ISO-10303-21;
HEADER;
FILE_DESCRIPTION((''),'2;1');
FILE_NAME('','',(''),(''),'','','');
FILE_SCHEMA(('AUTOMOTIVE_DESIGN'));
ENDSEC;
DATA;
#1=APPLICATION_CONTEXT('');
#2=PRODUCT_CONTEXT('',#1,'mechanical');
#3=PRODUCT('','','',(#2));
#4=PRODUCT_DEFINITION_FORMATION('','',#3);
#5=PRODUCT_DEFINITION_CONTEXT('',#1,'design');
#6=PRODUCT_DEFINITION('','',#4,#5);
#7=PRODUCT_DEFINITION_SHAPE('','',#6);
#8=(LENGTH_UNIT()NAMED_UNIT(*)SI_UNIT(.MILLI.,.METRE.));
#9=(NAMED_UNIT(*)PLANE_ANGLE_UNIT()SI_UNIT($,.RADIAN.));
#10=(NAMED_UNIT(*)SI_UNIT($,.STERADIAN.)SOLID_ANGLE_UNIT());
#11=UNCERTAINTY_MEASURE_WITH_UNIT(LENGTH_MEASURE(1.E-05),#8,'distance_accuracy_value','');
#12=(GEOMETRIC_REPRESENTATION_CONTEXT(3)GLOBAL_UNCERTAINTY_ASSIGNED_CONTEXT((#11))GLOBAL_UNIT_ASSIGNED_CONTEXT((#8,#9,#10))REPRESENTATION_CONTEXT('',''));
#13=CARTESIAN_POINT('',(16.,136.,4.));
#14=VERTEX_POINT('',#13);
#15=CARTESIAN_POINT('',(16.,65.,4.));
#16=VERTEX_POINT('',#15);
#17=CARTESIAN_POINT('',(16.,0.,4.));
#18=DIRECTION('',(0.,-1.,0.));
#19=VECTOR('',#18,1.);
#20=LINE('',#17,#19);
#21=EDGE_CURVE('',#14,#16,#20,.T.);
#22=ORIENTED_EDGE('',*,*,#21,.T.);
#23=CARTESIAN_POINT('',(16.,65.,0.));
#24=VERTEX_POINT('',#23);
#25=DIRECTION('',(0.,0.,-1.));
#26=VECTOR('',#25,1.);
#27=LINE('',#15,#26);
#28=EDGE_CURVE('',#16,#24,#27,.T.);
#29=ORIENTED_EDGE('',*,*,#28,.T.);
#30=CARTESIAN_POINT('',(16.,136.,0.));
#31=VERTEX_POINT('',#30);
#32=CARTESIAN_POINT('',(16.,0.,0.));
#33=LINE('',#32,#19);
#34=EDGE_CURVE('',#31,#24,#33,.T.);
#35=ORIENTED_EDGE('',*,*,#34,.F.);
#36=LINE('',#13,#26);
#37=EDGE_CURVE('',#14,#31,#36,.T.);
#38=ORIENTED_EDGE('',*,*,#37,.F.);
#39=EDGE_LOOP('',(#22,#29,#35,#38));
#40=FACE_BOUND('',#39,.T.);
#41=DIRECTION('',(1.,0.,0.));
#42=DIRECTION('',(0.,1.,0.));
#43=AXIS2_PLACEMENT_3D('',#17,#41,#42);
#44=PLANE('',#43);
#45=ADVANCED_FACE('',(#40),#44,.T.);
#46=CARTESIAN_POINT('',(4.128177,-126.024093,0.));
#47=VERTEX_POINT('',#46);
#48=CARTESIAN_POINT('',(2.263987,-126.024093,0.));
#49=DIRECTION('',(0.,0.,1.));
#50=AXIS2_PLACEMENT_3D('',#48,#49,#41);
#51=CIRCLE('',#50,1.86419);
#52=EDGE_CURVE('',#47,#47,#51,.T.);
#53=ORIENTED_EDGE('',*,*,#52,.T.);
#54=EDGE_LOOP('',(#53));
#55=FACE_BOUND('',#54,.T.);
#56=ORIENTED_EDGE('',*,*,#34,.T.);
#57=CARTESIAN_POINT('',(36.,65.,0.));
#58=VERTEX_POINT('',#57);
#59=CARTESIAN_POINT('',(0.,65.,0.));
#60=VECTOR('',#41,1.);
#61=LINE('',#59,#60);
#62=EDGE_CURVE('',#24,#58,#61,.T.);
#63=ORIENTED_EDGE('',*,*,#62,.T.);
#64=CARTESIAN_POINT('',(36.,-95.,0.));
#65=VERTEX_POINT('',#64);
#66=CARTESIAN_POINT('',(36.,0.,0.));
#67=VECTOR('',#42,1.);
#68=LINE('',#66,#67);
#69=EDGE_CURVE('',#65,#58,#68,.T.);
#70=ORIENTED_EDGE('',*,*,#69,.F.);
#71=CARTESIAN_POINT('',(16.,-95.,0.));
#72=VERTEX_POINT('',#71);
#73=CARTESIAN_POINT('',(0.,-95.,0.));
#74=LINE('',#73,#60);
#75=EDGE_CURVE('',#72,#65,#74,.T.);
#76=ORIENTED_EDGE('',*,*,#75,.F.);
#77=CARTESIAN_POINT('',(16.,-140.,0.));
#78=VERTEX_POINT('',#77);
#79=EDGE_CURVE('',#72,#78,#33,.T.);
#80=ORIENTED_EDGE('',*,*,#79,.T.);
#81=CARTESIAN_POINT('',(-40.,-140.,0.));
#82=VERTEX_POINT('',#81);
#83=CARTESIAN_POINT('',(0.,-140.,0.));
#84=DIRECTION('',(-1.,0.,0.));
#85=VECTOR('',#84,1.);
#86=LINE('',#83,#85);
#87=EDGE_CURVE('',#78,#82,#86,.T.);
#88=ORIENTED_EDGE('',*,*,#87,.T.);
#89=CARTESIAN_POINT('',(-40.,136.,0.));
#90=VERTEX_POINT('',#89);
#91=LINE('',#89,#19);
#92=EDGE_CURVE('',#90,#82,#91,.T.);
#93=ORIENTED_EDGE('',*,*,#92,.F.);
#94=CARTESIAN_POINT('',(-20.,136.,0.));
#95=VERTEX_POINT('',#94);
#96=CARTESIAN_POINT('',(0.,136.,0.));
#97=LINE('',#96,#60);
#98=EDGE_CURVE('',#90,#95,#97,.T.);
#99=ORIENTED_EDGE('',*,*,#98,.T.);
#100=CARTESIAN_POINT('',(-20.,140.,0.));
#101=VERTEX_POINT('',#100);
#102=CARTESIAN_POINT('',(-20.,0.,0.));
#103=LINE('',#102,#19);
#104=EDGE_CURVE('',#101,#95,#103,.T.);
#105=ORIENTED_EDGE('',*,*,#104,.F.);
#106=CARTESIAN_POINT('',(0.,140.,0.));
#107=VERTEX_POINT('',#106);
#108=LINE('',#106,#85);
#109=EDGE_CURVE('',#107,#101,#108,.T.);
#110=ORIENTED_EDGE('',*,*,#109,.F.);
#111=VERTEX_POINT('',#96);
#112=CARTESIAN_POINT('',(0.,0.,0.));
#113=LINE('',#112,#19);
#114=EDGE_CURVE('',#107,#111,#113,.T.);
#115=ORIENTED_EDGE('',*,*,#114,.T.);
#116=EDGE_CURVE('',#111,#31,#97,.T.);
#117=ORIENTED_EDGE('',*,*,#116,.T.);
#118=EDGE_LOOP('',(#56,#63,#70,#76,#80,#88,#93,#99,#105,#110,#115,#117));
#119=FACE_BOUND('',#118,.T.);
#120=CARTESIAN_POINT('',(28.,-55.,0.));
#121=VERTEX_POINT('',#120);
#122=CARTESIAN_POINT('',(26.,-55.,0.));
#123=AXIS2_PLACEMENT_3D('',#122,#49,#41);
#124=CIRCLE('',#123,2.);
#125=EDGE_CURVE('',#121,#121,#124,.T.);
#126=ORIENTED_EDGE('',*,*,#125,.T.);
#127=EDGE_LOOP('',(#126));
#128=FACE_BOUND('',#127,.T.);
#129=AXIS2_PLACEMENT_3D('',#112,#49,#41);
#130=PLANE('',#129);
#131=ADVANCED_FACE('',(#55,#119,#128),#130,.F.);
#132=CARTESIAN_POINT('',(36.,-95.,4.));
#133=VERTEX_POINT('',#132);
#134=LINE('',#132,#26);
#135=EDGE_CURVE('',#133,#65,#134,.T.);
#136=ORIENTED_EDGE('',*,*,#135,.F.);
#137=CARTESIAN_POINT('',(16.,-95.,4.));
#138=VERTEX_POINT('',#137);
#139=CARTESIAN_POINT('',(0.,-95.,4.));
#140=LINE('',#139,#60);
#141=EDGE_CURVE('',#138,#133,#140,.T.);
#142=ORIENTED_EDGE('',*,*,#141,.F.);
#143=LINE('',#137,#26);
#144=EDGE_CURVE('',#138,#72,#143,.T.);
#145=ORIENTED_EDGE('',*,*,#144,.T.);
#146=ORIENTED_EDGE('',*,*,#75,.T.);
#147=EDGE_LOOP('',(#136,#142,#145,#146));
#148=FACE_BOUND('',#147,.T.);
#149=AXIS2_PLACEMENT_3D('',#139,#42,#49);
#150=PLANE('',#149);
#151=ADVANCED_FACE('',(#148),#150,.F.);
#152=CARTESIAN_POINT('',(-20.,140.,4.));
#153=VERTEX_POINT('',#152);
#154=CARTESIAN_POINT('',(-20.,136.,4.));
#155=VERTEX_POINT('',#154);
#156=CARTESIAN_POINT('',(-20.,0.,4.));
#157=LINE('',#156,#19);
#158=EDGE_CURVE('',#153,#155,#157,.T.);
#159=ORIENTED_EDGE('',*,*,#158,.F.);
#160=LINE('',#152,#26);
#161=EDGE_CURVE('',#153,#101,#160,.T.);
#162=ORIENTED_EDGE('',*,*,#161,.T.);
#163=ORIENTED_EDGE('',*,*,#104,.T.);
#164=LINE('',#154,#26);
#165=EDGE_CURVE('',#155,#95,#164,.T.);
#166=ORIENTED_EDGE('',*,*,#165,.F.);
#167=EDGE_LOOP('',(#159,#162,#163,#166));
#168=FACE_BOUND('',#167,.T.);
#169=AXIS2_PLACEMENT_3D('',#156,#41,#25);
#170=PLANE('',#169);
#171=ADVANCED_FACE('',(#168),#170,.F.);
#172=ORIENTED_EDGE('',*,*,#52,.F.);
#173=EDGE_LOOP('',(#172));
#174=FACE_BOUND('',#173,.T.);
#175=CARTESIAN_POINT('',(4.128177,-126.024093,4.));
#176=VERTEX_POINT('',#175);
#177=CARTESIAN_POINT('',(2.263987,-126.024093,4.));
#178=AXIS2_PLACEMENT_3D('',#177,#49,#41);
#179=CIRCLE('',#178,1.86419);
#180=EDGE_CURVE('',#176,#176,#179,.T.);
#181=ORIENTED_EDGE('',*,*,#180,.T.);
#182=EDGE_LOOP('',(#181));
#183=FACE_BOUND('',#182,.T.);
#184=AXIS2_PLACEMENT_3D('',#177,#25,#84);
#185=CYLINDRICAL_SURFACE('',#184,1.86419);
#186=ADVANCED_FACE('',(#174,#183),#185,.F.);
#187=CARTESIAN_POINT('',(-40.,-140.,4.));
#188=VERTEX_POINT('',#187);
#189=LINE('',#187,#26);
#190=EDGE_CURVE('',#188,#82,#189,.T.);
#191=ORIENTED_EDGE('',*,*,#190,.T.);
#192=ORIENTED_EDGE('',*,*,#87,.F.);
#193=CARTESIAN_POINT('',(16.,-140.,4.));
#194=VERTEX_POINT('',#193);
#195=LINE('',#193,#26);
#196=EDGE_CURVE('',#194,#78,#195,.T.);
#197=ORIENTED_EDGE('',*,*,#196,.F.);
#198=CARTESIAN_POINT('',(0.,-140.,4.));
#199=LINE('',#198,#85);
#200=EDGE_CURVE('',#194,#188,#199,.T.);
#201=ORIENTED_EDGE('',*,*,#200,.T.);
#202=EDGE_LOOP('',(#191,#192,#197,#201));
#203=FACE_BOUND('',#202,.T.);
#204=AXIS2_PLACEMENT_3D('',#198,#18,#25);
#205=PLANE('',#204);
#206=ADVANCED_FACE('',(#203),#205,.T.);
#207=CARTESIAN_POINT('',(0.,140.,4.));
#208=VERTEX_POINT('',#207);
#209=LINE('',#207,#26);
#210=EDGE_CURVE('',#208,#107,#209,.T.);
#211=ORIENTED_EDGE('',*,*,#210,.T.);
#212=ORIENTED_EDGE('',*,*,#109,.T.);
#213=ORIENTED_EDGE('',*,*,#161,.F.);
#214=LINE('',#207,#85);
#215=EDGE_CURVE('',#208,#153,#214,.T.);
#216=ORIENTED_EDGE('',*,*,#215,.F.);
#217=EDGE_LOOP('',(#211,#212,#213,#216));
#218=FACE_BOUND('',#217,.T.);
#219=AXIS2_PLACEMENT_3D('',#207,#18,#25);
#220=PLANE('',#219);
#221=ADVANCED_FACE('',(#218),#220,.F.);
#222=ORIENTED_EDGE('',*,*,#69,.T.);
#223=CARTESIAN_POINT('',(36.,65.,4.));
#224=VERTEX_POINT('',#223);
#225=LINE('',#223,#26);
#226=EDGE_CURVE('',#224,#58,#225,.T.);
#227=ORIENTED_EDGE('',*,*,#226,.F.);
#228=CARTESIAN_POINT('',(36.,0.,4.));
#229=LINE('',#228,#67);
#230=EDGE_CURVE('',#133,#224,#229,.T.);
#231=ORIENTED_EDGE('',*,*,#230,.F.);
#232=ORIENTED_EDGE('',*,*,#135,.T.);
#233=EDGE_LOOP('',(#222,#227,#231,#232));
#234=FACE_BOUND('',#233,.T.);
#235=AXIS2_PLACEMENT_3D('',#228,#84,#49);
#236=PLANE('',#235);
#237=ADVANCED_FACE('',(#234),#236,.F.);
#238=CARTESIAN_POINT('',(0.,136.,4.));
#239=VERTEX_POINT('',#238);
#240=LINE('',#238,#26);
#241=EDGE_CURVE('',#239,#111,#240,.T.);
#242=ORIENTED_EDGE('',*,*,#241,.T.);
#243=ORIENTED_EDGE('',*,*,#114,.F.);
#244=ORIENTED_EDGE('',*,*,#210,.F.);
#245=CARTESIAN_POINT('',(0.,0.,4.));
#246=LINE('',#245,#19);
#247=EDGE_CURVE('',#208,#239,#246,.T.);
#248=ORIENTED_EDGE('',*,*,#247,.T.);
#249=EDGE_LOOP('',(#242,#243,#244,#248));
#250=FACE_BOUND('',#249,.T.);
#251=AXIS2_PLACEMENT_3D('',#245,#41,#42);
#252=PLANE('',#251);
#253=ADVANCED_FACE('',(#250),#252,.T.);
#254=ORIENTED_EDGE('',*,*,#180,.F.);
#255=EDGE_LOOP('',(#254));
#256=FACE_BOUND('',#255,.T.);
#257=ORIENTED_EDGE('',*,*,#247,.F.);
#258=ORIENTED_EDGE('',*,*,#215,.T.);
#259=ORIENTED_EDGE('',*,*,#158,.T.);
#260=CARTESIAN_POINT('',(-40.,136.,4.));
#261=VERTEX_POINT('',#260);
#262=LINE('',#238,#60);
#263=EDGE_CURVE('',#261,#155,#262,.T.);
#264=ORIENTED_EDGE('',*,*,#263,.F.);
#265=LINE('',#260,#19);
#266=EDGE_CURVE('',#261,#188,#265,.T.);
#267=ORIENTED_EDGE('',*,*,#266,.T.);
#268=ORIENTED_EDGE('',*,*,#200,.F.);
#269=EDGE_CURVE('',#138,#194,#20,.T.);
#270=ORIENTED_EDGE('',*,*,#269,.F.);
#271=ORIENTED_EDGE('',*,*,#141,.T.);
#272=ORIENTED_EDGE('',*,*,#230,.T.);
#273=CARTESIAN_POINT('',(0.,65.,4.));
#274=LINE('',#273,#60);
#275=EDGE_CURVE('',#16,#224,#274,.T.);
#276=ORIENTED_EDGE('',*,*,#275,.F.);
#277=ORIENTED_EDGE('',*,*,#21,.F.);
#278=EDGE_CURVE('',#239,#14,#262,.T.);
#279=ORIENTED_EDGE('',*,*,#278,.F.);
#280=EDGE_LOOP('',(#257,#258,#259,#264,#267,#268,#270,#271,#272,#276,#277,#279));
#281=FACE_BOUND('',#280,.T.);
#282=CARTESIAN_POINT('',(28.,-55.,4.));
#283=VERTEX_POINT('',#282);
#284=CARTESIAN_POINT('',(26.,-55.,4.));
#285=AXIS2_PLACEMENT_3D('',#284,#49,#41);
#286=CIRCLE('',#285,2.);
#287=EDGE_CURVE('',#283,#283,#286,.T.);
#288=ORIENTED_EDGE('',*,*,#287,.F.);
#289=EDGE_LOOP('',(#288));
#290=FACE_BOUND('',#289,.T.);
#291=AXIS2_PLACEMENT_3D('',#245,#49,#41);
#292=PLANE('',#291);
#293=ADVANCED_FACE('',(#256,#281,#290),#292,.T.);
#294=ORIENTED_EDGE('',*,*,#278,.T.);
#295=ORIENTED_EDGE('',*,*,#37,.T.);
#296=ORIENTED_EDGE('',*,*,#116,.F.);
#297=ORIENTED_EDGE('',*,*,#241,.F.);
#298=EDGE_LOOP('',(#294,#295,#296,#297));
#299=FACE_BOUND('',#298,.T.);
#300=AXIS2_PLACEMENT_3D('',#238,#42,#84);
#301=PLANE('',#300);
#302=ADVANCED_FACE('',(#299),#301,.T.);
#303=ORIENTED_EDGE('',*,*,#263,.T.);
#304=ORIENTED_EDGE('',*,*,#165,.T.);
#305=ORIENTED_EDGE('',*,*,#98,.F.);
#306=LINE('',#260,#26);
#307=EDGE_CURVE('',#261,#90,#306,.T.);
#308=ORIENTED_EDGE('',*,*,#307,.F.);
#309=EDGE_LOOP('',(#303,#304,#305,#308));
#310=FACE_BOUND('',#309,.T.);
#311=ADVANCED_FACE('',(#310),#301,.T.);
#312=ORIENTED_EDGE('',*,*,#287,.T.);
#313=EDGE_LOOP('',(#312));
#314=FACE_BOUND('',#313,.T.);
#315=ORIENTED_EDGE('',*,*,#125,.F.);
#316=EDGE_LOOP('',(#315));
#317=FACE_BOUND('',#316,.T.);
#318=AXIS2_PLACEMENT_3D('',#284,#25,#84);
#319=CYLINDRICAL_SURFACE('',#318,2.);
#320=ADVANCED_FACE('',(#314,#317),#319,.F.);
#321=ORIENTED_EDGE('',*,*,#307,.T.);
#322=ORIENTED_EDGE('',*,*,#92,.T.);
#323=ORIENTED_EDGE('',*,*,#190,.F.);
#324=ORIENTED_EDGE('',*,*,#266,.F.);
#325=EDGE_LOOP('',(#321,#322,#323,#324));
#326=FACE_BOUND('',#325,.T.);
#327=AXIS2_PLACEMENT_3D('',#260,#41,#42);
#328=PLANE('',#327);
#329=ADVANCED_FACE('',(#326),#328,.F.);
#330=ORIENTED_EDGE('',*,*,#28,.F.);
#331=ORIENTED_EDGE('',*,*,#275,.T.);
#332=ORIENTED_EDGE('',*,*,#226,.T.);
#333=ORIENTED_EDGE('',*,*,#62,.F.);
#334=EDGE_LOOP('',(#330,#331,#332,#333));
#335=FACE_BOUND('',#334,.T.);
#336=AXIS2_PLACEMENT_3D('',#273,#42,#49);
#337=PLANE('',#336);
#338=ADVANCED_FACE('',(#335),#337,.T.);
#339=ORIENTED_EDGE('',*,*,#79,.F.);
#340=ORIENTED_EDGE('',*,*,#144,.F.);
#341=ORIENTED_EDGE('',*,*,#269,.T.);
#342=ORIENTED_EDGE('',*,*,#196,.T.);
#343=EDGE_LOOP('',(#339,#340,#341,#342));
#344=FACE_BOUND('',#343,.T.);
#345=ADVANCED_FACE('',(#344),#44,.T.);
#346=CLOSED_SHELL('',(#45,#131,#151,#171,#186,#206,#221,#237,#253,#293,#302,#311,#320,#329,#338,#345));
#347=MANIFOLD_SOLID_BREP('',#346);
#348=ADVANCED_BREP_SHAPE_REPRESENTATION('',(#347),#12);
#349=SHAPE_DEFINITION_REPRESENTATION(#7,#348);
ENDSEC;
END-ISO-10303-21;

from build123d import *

# Parameters (mm, degrees)
SKETCH1_R           = 1.864189773
SKETCH1_R_2         = 2
BOSS_EXTRUDE1_DEPTH = 4


with BuildPart() as part:
    # Sketch1 → Boss-Extrude1 (new body)
    with BuildSketch(Plane.XY):
        Polygon((16, 65), (16, 136), (0, 136), (0, 140), (-20, 140), (-20, 136), (-40, 136), (-40, -140), (16, -140), (16, -95), (36, -95), (36, 65), align=None)
        with Locations((2.263986992, -126.02409254)):
            Circle(SKETCH1_R, mode=Mode.SUBTRACT)
        with Locations((26, -55)):
            Circle(SKETCH1_R_2, mode=Mode.SUBTRACT)
    extrude(amount=BOSS_EXTRUDE1_DEPTH)


solid = part.part
